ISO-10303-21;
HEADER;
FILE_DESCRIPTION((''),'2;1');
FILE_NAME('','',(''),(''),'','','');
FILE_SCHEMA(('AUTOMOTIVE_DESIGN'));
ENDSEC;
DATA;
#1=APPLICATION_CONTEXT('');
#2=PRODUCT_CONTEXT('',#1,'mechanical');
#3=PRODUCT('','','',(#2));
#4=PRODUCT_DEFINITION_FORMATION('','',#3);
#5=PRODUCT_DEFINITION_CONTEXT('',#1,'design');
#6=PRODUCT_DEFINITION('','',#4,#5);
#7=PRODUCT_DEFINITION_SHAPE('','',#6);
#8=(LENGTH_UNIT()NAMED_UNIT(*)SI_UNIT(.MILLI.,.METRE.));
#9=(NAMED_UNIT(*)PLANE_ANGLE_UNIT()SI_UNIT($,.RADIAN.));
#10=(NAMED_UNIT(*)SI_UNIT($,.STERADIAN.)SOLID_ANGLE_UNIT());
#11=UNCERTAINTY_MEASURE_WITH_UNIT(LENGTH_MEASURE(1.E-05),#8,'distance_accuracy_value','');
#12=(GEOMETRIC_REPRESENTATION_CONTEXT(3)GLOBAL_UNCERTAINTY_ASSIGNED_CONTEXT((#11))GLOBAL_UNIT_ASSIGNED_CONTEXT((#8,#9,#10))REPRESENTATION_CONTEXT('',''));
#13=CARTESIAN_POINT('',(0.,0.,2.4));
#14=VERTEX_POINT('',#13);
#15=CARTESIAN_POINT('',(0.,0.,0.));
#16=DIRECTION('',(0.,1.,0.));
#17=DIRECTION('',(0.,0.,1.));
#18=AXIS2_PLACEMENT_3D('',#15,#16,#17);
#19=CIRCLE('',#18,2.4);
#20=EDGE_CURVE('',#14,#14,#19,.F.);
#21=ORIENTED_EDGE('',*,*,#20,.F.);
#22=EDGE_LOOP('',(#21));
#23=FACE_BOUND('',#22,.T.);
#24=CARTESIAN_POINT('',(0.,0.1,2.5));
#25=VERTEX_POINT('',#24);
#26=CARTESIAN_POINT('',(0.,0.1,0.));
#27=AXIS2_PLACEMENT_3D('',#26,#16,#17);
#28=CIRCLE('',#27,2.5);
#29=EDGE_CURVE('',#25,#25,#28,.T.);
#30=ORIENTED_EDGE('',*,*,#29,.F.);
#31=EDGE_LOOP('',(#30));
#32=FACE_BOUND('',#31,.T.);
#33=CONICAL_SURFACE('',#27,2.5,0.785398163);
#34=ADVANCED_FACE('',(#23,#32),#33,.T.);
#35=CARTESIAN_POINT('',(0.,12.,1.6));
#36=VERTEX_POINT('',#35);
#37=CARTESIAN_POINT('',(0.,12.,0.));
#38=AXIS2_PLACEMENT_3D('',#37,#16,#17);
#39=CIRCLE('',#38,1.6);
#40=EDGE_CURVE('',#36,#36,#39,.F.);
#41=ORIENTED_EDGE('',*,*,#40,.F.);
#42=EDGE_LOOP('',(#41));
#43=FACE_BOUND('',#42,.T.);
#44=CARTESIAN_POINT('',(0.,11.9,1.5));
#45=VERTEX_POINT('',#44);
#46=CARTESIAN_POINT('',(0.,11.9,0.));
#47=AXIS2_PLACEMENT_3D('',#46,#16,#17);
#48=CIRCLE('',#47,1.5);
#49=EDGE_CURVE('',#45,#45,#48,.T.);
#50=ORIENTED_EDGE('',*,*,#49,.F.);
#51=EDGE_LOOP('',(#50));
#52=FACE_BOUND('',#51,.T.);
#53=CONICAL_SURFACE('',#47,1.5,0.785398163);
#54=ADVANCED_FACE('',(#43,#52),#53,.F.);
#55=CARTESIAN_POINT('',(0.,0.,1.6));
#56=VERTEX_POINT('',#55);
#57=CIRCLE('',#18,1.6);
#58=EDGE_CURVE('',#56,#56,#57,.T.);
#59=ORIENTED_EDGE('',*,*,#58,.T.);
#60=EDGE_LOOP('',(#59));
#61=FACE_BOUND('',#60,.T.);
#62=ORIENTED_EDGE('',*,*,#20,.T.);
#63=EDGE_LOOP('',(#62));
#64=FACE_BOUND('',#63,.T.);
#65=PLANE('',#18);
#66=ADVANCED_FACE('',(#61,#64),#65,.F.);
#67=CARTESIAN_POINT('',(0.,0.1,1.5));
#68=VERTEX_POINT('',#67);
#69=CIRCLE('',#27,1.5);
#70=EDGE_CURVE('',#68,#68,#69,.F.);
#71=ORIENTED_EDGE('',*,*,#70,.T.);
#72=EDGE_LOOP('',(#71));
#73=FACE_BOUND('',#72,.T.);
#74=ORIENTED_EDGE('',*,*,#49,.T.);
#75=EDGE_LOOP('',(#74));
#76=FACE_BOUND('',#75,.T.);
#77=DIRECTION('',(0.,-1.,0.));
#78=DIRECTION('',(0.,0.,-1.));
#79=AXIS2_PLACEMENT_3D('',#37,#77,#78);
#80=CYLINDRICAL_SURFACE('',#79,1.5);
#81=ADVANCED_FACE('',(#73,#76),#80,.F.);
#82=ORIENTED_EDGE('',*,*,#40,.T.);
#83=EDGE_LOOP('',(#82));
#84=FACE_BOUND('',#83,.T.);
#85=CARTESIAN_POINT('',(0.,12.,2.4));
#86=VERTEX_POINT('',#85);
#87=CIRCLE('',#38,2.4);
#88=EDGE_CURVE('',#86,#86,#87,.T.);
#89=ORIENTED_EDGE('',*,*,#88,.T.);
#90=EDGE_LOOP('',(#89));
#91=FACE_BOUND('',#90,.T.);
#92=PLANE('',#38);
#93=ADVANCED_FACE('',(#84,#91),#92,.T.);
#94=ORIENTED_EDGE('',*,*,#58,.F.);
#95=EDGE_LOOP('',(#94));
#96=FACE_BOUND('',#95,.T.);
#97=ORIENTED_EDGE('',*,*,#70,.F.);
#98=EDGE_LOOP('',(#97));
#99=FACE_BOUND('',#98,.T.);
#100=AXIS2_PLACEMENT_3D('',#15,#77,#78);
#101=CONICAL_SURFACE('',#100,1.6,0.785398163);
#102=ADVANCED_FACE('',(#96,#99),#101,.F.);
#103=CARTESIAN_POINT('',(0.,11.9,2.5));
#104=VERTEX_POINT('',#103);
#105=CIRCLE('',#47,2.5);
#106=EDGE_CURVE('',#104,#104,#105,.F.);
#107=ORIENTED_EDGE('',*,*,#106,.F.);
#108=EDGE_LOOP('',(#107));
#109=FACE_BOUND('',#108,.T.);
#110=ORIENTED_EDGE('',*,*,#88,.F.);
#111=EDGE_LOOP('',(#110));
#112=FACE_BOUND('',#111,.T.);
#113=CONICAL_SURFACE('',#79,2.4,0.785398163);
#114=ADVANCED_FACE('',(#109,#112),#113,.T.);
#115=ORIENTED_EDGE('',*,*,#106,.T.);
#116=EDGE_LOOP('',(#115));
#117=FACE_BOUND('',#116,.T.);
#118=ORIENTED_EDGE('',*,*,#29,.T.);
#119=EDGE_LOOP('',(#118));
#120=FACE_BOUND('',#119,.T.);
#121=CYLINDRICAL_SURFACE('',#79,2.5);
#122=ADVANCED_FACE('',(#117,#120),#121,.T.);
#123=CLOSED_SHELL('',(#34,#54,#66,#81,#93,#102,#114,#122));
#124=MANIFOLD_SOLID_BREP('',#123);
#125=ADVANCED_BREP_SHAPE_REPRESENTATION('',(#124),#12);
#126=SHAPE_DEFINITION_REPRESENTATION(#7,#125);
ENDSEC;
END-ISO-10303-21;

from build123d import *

# Parameters (mm, degrees)
SKETCH1_R           = 2.5
SKETCH1_R_2         = 1.5
BOSS_EXTRUDE1_DEPTH = 12
CHAMFER1_SIZE       = 0.1


with BuildPart() as part:
    # Sketch1 → Boss-Extrude1 (new body)
    with BuildSketch(Plane(origin=(0, 0, 0), x_dir=(1, 0, 0), z_dir=(0, 1, 0))):
        with Locations(Location((0, 0, 0), (0, 0, 270))):
            Circle(SKETCH1_R)
        with Locations(Location((0, 0, 0), (0, 0, 270))):
            Circle(SKETCH1_R_2, mode=Mode.SUBTRACT)
    extrude(amount=BOSS_EXTRUDE1_DEPTH)

    # Chamfer1
    chamfer1_edges = [part.edges().sort_by_distance(p)[0] for p in [
        (0, 0, -2.5),
        (0, 12, -2.5),
        (0, 0, -1.5),
        (0, 12, -1.5),
    ]]
    chamfer(chamfer1_edges, length=CHAMFER1_SIZE)


solid = part.part
